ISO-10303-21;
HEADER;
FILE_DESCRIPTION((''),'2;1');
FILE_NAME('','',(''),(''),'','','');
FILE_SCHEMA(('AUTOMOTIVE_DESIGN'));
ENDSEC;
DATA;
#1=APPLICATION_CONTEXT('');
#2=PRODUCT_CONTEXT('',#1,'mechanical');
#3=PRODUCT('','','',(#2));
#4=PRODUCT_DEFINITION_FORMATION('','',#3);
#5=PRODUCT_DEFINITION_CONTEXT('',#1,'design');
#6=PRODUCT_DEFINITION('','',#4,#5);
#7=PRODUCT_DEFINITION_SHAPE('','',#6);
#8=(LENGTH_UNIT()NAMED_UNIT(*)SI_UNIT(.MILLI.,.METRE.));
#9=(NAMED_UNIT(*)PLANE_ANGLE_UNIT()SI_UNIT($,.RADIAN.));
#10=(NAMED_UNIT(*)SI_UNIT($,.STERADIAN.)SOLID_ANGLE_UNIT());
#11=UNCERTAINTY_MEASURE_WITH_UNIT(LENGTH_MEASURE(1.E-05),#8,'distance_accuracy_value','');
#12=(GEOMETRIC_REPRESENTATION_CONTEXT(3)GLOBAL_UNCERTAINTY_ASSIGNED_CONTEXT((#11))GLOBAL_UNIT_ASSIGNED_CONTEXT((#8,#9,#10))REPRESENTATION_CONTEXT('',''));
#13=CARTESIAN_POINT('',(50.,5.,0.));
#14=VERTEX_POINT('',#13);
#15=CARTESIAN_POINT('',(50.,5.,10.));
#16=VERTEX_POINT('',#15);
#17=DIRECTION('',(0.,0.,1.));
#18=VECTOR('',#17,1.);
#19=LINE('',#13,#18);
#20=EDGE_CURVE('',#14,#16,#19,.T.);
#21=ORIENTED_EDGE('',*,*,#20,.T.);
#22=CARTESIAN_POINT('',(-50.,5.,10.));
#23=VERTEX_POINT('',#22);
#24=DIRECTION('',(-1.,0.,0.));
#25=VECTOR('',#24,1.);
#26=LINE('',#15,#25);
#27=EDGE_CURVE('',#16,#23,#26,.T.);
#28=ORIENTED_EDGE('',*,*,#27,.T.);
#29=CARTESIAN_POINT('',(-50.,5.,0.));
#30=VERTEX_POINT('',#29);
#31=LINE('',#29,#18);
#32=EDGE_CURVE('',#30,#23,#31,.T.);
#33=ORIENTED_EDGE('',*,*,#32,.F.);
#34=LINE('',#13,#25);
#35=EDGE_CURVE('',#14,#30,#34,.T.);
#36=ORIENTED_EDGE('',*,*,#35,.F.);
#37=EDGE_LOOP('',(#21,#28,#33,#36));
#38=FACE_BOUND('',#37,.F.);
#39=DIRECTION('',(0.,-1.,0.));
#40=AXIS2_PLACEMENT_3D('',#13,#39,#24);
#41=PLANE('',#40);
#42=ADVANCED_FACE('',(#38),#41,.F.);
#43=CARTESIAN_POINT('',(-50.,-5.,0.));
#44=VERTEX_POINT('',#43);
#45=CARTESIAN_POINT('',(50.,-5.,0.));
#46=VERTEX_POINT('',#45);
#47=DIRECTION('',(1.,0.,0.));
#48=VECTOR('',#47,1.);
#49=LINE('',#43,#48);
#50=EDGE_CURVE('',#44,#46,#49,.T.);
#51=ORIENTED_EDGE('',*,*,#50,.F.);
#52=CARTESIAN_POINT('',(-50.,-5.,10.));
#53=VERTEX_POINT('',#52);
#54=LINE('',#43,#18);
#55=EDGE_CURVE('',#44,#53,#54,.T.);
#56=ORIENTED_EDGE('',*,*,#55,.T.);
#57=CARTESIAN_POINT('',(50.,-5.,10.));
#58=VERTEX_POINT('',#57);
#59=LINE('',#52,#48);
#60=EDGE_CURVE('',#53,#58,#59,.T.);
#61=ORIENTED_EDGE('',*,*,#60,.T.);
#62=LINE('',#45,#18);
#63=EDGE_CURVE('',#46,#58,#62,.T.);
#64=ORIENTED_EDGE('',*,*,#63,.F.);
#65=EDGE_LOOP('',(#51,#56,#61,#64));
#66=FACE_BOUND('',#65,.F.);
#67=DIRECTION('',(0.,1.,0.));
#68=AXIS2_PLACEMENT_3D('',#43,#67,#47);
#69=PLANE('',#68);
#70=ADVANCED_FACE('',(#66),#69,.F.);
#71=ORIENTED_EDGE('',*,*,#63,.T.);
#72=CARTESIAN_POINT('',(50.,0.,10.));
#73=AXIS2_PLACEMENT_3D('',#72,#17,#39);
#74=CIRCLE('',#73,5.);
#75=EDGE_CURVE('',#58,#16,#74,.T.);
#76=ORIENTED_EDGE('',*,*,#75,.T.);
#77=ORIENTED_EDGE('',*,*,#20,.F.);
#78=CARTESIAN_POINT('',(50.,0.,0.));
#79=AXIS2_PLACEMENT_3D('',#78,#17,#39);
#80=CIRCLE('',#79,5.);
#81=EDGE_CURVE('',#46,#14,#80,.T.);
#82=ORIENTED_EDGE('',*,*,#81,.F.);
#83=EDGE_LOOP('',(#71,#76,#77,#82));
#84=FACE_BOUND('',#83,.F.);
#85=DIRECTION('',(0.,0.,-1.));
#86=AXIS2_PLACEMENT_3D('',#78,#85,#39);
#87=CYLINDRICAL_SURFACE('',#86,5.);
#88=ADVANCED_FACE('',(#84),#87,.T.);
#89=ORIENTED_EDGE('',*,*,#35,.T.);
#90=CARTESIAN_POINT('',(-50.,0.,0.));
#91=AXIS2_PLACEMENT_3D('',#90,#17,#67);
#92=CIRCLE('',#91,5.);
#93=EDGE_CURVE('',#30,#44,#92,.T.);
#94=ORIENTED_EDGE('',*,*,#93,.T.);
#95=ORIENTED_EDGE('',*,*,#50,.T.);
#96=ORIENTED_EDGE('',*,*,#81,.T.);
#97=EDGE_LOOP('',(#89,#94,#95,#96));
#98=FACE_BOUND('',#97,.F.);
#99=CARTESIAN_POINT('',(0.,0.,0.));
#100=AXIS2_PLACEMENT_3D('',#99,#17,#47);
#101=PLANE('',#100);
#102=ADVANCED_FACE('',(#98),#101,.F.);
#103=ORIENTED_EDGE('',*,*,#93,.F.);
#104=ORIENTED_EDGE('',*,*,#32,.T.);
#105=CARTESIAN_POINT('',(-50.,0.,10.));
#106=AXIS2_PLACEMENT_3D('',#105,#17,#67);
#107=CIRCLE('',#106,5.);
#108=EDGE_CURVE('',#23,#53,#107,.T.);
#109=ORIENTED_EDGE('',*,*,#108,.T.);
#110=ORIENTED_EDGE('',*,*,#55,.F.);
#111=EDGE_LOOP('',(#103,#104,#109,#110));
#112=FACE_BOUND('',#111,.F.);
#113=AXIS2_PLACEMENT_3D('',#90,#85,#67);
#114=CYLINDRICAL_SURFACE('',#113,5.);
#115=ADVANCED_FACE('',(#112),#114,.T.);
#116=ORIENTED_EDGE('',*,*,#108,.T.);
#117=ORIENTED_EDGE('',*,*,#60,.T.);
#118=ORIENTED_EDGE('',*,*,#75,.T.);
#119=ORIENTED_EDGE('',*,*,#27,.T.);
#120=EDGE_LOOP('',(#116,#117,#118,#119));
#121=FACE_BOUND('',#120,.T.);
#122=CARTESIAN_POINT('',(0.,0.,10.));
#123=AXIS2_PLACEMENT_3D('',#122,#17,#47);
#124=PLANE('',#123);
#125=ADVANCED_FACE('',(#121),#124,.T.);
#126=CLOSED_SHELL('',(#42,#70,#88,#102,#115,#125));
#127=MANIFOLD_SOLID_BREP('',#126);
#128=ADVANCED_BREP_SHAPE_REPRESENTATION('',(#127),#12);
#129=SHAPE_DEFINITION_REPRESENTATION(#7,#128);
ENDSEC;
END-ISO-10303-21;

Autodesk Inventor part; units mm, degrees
ref_plane "YZ Plane" through (0, 0, 0) normal (1, 0, 0) x (0, 1, 0)
ref_plane "XZ Plane" through (0, 0, 0) normal (0, 1, 0) x (-1, 0, 0)
ref_plane "XY Plane" through (0, 0, 0) normal (0, 0, 1) x (1, 0, 0)
sketch "Sketch1" plane through (0, 0, 0) normal (0, 0, 1) x (1, 0, 0)
  line L0 (50, 0) -> (-50, 0) construction
  line L1 (50, 5) -> (-50, 5)
  line L2 (-50, -5) -> (50, -5)
  arc A0 (50, -5) -> (50, 5) centre (50, 0) ccw
  arc A1 (-50, 5) -> (-50, -5) centre (-50, 0) ccw
  point P0 (0, 0)
  dimension "d0" = 50
  dimension "d1" = 10
extrude "Extrusion1" add sketch "Sketch1" along normal blind 10
properties part number "Link B"
